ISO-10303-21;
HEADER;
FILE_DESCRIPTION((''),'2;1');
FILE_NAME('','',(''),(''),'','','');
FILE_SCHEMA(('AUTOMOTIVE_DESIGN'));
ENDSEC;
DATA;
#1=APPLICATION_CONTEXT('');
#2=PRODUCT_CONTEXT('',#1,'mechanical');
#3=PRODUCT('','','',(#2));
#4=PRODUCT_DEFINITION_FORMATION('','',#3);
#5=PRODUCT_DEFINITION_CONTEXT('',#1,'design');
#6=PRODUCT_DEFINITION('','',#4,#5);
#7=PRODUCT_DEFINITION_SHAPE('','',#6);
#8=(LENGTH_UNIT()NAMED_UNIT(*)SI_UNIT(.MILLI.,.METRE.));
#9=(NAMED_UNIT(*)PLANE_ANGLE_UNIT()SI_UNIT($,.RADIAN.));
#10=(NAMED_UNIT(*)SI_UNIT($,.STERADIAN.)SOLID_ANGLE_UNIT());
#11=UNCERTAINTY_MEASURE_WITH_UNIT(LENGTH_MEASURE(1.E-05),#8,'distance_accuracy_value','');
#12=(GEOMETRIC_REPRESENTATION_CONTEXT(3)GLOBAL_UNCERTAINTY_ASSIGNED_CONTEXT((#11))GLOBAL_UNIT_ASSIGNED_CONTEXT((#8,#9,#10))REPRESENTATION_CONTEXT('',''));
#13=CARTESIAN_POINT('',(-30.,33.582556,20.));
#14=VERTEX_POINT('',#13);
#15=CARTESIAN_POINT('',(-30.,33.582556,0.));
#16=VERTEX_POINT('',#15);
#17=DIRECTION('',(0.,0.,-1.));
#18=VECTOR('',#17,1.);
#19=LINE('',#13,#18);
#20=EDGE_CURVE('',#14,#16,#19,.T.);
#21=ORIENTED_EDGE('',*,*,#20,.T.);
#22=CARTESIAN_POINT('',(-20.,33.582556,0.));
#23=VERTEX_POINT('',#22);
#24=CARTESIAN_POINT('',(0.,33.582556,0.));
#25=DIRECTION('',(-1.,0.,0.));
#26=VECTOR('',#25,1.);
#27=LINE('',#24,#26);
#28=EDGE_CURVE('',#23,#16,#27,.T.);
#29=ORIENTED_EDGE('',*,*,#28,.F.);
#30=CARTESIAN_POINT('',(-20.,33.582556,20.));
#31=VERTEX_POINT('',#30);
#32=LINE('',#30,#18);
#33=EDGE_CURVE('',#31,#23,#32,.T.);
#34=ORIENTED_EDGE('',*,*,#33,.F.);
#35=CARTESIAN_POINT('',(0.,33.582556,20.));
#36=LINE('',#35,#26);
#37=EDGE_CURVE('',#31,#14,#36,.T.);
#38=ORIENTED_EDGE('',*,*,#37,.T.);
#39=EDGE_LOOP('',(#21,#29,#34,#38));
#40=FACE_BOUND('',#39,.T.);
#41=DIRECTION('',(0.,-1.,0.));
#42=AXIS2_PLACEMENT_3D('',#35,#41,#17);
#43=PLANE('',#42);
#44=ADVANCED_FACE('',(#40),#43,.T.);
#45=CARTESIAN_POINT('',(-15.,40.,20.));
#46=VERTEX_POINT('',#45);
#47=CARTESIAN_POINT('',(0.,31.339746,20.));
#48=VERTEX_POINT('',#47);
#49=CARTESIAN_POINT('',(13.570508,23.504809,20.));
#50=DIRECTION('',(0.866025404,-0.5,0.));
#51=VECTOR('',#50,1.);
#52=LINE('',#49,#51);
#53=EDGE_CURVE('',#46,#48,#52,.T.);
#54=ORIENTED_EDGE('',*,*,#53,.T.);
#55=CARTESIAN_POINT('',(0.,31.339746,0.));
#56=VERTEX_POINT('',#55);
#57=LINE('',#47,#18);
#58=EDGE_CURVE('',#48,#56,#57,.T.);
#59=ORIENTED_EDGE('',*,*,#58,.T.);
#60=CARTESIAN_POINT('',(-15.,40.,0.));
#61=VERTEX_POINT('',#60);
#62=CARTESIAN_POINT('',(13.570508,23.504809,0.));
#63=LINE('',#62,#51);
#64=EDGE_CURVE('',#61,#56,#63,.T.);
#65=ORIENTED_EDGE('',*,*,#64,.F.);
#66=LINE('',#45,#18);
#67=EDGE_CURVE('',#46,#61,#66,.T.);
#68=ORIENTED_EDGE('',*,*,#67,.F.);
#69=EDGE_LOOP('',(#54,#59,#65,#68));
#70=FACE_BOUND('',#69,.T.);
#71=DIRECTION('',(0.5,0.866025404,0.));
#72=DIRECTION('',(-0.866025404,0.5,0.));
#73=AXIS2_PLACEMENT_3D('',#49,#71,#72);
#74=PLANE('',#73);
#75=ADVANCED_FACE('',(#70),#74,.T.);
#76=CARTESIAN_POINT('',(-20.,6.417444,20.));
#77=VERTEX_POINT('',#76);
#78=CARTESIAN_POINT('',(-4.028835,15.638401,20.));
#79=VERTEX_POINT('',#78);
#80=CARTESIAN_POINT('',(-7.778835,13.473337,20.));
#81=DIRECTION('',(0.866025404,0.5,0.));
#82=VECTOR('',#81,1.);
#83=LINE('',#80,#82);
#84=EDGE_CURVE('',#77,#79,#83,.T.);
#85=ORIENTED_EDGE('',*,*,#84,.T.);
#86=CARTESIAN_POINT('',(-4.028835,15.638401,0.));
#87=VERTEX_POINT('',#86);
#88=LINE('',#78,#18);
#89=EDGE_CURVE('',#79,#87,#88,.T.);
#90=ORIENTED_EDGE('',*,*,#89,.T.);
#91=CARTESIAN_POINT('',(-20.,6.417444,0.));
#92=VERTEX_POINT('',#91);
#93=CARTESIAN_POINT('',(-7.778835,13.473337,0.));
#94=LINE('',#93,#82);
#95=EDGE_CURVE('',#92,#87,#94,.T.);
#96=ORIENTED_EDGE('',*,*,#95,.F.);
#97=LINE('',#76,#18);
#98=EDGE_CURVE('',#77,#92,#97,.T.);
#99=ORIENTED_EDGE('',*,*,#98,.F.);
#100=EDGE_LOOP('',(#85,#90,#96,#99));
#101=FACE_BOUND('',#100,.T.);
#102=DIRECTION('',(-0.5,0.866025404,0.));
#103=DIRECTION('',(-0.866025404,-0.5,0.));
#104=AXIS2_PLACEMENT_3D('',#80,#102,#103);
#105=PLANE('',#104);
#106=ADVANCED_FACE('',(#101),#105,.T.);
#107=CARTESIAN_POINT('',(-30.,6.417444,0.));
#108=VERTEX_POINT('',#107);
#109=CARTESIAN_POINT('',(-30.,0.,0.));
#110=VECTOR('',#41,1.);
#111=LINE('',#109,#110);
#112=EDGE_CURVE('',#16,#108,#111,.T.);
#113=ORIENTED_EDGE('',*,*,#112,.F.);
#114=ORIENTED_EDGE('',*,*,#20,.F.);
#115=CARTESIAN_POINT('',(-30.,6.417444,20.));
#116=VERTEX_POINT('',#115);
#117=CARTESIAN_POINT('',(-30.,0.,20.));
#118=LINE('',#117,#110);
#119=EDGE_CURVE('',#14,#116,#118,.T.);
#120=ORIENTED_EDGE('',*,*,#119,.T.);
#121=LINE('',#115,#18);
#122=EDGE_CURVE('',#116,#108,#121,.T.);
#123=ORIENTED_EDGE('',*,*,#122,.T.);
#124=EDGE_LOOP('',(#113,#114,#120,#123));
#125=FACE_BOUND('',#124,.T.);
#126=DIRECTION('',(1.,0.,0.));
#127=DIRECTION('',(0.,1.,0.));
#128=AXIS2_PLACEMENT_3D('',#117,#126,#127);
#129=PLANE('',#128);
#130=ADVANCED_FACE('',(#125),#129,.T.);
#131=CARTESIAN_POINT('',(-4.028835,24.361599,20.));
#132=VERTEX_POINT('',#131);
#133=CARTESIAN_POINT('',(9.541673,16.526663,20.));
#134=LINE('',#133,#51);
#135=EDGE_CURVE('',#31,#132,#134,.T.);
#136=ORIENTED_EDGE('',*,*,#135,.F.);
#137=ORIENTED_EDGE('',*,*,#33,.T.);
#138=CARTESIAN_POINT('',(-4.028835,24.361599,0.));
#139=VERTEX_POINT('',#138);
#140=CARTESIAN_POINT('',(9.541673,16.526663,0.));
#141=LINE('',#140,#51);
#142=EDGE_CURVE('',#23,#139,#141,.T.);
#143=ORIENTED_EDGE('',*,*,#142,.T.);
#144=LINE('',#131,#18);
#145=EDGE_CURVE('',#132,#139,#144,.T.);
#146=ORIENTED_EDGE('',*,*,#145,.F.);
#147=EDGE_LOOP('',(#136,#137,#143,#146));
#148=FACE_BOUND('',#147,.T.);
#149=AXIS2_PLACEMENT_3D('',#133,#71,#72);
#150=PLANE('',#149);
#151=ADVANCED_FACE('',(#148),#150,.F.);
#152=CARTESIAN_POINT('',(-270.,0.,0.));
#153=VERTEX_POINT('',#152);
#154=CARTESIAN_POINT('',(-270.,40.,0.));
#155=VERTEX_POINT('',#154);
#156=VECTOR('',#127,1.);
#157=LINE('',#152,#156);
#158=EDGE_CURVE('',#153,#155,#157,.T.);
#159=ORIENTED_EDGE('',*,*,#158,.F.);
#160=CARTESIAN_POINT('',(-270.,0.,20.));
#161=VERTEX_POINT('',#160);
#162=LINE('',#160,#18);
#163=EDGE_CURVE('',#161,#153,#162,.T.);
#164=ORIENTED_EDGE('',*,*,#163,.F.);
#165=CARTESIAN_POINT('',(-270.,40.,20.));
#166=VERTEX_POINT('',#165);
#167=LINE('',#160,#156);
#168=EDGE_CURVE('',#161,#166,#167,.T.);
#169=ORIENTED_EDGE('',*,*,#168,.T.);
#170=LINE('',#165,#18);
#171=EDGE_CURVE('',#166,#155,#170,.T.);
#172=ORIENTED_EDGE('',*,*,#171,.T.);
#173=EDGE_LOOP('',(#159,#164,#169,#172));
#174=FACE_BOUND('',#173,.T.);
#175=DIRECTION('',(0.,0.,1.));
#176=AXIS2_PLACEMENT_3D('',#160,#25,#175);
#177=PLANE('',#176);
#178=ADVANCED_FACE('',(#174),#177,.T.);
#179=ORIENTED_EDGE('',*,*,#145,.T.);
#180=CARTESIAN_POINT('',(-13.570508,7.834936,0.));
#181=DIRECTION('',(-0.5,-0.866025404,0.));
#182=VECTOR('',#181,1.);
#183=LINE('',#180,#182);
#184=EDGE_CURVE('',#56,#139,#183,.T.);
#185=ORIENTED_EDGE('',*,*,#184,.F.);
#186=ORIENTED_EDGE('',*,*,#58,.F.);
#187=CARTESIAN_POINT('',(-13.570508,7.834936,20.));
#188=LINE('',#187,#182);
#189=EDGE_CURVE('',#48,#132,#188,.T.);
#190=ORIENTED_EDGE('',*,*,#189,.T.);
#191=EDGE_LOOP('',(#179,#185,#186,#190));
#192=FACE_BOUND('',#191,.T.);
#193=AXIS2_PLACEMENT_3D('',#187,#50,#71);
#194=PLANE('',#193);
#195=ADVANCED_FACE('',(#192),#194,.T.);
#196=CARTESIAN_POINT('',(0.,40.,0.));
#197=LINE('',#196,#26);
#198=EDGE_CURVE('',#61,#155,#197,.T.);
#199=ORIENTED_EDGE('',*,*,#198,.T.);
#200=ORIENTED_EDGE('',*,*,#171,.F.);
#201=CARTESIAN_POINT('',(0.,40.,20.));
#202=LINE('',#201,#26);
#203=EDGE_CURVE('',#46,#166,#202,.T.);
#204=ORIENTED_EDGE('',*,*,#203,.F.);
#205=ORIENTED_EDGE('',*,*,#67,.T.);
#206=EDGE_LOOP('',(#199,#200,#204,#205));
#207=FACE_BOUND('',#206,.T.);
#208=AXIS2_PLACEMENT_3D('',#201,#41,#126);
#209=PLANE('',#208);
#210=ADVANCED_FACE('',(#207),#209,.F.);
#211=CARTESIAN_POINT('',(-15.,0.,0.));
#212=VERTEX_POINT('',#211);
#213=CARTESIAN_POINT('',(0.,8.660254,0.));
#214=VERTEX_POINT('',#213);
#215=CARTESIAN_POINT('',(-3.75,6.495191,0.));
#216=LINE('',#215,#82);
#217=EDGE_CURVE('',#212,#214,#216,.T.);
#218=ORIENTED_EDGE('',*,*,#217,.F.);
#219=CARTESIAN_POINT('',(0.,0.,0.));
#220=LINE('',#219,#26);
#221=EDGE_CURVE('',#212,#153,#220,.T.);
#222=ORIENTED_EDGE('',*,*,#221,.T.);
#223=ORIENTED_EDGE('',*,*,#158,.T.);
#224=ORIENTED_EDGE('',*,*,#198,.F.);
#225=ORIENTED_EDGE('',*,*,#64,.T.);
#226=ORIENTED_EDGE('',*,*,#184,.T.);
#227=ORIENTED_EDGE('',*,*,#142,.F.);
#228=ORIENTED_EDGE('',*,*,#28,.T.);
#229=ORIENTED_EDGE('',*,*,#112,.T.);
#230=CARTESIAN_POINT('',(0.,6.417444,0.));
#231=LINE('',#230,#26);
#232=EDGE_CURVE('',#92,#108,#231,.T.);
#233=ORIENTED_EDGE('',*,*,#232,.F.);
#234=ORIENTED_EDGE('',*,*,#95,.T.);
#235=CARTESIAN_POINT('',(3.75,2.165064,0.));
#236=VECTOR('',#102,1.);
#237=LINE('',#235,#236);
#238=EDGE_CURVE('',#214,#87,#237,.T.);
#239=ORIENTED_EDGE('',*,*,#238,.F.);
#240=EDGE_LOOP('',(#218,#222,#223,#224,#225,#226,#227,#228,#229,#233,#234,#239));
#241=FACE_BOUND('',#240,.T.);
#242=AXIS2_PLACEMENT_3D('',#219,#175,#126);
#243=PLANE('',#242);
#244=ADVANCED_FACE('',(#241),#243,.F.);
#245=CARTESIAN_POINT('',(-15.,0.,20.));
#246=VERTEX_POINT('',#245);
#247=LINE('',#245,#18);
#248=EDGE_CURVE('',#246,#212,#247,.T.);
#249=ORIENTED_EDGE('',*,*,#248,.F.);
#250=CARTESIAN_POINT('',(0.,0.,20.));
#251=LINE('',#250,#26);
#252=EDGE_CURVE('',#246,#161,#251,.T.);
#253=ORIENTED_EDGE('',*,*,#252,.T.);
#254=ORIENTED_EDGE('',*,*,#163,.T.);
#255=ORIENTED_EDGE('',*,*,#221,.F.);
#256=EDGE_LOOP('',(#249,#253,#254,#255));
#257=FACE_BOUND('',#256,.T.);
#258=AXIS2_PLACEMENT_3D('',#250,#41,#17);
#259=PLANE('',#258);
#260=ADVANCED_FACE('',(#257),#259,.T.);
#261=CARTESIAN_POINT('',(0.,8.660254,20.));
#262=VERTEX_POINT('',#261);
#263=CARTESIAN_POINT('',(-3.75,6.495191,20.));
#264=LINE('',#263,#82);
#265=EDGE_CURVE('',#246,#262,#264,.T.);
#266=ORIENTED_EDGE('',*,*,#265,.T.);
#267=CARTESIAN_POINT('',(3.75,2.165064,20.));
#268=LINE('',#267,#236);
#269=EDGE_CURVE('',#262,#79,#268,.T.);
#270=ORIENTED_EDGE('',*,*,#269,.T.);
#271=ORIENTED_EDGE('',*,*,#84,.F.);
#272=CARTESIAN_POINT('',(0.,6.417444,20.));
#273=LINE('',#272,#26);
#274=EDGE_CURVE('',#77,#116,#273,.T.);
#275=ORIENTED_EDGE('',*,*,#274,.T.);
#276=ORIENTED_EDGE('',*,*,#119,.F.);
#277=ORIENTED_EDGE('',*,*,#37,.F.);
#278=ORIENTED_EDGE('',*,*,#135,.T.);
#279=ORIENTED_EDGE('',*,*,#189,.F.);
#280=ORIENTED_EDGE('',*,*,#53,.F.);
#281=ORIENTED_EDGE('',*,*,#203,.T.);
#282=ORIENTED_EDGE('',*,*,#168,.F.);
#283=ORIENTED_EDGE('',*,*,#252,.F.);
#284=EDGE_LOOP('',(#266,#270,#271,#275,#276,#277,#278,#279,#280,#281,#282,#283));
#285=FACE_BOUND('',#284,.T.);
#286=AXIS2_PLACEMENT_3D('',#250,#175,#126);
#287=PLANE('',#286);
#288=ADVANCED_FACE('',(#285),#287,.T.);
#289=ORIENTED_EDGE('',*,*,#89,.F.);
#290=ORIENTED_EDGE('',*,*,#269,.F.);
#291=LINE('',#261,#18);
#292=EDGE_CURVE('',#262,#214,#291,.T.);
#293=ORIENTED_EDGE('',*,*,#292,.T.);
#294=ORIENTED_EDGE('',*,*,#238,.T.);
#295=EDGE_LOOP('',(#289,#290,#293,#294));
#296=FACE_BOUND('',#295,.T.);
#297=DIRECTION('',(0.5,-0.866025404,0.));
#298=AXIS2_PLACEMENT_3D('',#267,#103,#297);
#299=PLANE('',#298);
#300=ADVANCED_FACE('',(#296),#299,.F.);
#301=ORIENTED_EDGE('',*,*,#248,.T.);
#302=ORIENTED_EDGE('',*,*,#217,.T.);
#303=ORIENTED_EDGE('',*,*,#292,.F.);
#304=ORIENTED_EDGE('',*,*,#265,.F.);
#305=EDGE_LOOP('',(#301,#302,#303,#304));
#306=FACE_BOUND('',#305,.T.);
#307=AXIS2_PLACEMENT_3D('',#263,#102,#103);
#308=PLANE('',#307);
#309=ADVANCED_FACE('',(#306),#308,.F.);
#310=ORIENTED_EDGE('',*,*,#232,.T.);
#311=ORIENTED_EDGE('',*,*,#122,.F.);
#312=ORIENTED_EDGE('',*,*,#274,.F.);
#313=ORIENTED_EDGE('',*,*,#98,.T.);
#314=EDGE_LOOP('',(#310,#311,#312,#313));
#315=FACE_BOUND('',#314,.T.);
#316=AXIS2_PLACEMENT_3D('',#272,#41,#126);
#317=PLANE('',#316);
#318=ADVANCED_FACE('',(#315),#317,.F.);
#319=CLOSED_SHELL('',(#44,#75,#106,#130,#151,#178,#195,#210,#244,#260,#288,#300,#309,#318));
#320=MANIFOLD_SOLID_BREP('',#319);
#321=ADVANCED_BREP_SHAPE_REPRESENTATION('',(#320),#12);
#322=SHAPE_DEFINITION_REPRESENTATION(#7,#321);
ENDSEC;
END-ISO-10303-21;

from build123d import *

# Parameters (mm, degrees)
BOSS_EXTRUDE1_DEPTH = 20


with BuildPart() as part:
    # Sketch1 → Boss-Extrude1 (new body)
    with BuildSketch(Plane.XY):
        Polygon((-15, 0), (-270, 0), (-270, 40), (-15, 40), (0, 31.339745962), (-4.028834937, 24.361599156), (-20, 33.582555605), (-30, 33.582555605), (-30, 6.417444395), (-20, 6.417444395), (-4.028834937, 15.638400844), (0, 8.660254038), align=None)
    extrude(amount=BOSS_EXTRUDE1_DEPTH)


solid = part.part
